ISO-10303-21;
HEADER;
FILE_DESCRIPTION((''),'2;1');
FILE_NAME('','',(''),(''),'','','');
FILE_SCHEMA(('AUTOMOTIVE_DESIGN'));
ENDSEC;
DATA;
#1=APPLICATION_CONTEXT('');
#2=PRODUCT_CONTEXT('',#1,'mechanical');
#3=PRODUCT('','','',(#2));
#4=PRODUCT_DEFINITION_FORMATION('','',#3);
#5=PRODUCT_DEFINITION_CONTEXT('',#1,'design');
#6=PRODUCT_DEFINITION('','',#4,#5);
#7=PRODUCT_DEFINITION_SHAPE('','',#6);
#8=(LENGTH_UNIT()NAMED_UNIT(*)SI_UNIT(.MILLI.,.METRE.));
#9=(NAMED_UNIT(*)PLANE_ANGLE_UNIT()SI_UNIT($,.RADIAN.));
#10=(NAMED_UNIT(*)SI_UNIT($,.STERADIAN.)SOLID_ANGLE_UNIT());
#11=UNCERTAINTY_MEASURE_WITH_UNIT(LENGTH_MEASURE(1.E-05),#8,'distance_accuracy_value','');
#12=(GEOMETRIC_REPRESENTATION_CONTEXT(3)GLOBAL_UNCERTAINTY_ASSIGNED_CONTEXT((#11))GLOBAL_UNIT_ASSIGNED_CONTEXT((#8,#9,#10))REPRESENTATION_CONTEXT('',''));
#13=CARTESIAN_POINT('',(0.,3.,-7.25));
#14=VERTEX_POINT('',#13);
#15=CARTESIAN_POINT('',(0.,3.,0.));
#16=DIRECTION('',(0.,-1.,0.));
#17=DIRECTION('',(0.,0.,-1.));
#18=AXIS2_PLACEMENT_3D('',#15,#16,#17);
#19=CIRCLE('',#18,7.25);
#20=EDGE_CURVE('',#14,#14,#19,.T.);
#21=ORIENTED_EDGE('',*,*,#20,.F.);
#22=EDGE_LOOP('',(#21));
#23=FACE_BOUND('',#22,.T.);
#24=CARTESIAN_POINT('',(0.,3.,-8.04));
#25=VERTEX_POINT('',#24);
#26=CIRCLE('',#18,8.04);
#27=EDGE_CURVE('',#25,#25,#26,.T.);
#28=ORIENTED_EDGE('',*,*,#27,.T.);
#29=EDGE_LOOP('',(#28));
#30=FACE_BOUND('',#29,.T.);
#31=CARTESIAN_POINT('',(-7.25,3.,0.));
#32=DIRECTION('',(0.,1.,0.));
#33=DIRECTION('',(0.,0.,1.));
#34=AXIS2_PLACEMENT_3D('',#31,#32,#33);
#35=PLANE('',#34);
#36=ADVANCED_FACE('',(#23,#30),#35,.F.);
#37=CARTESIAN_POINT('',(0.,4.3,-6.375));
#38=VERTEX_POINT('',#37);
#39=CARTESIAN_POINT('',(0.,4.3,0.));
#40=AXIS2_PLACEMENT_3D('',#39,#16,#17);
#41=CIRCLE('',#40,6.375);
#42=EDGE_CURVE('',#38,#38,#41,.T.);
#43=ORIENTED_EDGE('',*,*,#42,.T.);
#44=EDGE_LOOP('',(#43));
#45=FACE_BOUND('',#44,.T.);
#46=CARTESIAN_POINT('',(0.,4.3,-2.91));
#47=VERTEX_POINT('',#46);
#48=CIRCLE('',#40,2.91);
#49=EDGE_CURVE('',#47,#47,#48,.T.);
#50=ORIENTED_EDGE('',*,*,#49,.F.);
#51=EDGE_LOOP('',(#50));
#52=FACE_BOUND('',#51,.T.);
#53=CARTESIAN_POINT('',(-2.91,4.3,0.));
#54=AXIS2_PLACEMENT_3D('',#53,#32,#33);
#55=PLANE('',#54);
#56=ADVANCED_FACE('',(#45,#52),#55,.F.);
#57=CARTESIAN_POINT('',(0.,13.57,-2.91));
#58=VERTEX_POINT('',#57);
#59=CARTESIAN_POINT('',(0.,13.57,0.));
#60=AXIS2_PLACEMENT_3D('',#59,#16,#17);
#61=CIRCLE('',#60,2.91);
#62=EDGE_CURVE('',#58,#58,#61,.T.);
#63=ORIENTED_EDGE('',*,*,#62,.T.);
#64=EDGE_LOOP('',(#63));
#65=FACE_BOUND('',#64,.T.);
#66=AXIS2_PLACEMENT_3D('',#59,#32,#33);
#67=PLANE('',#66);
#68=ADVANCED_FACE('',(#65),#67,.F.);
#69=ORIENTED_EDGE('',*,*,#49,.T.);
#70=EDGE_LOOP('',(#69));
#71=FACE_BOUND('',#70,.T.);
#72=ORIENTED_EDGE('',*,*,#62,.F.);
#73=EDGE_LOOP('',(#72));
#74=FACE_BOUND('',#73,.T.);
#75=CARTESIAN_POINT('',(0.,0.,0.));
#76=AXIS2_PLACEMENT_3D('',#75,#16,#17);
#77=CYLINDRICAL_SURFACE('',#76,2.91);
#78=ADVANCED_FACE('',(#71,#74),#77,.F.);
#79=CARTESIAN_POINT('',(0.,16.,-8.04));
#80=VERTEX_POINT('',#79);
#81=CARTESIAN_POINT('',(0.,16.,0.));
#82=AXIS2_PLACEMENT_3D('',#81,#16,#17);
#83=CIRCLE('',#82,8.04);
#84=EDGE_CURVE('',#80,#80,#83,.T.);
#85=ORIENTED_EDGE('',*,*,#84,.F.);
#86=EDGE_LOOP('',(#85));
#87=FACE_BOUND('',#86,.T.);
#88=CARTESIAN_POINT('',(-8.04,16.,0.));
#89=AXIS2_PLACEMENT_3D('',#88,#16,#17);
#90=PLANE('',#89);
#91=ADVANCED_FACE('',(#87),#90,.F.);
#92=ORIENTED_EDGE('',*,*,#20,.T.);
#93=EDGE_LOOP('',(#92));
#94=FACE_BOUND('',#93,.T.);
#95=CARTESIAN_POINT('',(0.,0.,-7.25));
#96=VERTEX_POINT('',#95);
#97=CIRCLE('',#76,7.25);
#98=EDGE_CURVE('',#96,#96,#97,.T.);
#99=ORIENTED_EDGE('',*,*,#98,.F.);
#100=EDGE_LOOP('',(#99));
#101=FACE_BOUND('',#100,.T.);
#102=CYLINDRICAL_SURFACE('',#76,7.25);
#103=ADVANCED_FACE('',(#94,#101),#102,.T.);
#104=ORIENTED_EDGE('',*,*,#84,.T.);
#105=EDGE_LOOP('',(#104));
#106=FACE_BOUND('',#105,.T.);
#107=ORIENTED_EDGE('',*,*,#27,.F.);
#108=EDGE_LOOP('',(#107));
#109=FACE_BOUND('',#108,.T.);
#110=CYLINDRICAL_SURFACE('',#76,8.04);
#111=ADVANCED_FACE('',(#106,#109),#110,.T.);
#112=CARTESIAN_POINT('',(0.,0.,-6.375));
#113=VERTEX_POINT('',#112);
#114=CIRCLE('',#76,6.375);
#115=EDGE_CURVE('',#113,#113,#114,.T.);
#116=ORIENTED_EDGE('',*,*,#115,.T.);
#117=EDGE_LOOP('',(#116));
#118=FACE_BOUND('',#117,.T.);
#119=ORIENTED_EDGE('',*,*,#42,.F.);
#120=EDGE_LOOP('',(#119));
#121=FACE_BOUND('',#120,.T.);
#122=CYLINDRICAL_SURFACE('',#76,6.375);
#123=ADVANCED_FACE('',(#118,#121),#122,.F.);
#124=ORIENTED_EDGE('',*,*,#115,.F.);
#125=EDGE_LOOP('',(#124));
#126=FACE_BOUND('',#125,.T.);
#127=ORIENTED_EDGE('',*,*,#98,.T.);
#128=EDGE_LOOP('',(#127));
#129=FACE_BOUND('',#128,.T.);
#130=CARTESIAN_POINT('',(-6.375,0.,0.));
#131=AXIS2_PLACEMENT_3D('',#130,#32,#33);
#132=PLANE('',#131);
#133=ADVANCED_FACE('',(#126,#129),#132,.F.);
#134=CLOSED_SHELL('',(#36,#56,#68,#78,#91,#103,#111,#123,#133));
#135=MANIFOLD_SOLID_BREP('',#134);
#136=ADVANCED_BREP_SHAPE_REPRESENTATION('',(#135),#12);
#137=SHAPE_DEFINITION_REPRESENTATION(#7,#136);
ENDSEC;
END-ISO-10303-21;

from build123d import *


with BuildPart() as part:
    # Sketch1 → Revolve1 (revolve)
    with BuildSketch(Plane.XY, mode=Mode.PRIVATE) as revolve1_sk:
        Polygon((-7.25, 0), (-7.25, 3), (-8.04, 3), (-8.04, 16), (0, 16), (0, 13.57), (-2.91, 13.57), (-2.91, 4.3), (-6.375, 4.3), (-6.375, 0), align=None)
    revolve(revolve1_sk.sketch.rotate(Axis((0, 0, 0), (0, 1, 0)), 270), axis=Axis((0, 0, 0), (0, 1, 0)))


solid = part.part
